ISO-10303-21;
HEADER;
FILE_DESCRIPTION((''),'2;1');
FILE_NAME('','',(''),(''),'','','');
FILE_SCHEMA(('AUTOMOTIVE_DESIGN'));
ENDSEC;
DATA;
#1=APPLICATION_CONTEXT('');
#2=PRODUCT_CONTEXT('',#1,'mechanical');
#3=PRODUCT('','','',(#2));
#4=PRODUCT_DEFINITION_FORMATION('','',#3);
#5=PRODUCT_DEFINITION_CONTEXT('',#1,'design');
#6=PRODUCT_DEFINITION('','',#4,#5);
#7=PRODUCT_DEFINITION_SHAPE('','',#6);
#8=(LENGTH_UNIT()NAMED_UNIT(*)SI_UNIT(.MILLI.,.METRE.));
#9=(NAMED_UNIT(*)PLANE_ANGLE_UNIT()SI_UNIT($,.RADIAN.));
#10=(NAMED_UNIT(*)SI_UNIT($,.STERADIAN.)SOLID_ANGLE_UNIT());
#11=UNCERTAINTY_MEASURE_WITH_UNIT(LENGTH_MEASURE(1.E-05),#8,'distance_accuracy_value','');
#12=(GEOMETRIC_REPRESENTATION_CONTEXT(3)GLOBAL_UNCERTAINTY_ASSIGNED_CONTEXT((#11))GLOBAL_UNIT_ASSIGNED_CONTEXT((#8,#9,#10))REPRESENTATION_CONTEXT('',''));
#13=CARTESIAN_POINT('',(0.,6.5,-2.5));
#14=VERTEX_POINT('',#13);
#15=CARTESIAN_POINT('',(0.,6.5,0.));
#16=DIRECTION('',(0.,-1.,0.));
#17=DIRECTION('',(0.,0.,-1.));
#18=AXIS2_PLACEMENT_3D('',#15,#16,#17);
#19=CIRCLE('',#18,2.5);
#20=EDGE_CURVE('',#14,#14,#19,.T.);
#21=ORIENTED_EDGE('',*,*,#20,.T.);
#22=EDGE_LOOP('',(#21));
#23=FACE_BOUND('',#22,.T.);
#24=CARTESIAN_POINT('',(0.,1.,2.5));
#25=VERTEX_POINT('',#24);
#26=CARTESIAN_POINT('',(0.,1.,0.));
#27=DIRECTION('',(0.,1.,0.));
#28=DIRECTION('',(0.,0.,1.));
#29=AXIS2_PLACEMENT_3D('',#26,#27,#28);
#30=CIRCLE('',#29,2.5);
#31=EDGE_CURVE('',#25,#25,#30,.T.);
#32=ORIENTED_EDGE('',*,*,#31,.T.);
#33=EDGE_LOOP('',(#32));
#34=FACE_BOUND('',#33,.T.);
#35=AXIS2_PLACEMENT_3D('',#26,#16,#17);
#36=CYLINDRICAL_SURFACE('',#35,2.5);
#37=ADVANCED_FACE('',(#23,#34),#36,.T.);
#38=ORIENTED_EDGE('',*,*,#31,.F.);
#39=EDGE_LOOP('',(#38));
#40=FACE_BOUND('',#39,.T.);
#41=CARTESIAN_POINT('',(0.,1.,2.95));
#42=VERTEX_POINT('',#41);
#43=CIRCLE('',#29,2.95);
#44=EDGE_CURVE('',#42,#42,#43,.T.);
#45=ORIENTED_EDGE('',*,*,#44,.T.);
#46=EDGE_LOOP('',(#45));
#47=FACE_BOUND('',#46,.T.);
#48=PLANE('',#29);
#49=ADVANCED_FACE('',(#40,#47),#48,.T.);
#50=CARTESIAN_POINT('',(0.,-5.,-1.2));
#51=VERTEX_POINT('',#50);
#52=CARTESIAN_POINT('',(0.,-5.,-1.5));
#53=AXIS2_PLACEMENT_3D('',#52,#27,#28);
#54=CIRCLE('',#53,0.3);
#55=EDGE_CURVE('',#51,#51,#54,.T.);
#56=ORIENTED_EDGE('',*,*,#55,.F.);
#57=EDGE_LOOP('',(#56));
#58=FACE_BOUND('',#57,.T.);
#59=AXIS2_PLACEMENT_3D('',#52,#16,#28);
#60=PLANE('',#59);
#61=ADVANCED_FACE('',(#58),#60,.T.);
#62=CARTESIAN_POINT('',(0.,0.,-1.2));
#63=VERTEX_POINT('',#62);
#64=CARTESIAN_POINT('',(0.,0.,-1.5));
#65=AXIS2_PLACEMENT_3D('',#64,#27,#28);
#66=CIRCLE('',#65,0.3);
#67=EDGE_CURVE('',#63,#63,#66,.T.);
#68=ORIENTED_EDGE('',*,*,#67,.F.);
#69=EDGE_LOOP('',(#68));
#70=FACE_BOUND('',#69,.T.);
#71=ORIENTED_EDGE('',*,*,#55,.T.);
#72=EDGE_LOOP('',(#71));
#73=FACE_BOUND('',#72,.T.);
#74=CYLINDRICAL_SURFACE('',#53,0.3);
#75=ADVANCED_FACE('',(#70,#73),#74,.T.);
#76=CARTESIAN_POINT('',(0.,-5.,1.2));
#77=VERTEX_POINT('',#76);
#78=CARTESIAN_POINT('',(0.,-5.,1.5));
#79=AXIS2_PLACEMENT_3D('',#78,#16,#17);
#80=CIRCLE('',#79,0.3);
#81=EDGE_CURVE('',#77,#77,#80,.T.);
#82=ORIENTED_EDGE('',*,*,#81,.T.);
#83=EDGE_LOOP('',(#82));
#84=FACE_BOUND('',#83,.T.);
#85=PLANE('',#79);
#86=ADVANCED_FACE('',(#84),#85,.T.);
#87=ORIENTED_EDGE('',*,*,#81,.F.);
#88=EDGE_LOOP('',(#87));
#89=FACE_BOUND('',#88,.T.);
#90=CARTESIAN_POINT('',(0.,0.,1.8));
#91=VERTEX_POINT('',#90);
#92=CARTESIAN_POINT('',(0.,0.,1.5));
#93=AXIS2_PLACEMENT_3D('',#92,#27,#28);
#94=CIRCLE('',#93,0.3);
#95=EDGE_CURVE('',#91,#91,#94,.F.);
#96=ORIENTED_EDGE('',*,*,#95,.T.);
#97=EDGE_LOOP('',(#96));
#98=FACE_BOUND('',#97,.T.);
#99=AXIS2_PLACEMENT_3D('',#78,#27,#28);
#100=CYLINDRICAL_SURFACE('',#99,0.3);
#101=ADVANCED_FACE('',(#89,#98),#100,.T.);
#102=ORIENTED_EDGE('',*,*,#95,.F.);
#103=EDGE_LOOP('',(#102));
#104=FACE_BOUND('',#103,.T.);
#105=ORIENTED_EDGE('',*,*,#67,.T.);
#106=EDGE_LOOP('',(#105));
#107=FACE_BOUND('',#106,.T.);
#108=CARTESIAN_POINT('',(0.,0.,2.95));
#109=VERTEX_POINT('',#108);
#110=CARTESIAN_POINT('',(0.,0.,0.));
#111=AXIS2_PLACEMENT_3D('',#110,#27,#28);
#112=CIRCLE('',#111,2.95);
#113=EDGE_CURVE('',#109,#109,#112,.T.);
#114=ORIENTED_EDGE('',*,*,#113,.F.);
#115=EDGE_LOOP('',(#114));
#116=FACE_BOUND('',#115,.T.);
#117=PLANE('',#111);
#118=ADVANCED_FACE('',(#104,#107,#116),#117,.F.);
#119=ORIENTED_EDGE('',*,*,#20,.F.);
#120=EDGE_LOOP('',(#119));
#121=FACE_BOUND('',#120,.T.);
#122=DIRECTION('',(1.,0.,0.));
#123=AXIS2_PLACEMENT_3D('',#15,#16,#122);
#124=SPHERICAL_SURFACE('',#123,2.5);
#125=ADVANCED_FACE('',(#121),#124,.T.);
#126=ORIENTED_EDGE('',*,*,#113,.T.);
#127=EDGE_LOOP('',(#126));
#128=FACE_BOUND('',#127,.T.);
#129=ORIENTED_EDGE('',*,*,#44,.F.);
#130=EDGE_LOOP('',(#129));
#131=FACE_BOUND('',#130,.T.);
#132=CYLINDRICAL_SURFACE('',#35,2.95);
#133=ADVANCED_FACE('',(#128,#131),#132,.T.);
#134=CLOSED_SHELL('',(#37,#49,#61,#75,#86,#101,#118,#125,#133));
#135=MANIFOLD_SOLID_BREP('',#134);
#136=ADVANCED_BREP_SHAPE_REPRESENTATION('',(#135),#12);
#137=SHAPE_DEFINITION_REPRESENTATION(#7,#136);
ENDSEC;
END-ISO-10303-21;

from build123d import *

# Parameters (mm, degrees)
SKETCH1_R           = 2.95
BOSS_EXTRUDE1_DEPTH = 1
SKETCH5_R           = 0.3
BOSS_EXTRUDE2_DEPTH = 5


with BuildPart() as part:
    # Sketch1 → Boss-Extrude1 (new body)
    with BuildSketch(Plane(origin=(0, 0, 0), x_dir=(1, 0, 0), z_dir=(0, 1, 0))):
        with Locations(Location((0, 0, 0), (0, 0, 270))):
            Circle(SKETCH1_R)
    extrude(amount=BOSS_EXTRUDE1_DEPTH)

    # Sketch3 → Revolve1 (revolve)
    with BuildSketch(Plane.XY, mode=Mode.PRIVATE) as revolve1_sk:
        with BuildLine():
            Line((0, 1), (2.5, 1))
            Line((2.5, 1), (2.5, 6.5))
            ThreePointArc((2.5, 6.5), (1.767766953, 8.267766953), (0, 9))
            Line((0, 9), (0, 6.5))
            Line((0, 6.5), (0, 1))
        make_face()
    revolve(revolve1_sk.sketch.rotate(Axis((0, 1, 0), (0, 1, 0)), 90), axis=Axis((0, 1, 0), (0, 1, 0)))

    # Sketch5 → Boss-Extrude2 (add)
    with BuildSketch(Plane.XZ):
        with Locations(Location((0, 1.5, 0), (0, 0, 90))):
            Circle(SKETCH5_R)
    boss_extrude2 = extrude(amount=BOSS_EXTRUDE2_DEPTH)

    # Mirror1: Boss-Extrude2 across plane
    add(boss_extrude2.mirror(Plane.XY))


solid = part.part
